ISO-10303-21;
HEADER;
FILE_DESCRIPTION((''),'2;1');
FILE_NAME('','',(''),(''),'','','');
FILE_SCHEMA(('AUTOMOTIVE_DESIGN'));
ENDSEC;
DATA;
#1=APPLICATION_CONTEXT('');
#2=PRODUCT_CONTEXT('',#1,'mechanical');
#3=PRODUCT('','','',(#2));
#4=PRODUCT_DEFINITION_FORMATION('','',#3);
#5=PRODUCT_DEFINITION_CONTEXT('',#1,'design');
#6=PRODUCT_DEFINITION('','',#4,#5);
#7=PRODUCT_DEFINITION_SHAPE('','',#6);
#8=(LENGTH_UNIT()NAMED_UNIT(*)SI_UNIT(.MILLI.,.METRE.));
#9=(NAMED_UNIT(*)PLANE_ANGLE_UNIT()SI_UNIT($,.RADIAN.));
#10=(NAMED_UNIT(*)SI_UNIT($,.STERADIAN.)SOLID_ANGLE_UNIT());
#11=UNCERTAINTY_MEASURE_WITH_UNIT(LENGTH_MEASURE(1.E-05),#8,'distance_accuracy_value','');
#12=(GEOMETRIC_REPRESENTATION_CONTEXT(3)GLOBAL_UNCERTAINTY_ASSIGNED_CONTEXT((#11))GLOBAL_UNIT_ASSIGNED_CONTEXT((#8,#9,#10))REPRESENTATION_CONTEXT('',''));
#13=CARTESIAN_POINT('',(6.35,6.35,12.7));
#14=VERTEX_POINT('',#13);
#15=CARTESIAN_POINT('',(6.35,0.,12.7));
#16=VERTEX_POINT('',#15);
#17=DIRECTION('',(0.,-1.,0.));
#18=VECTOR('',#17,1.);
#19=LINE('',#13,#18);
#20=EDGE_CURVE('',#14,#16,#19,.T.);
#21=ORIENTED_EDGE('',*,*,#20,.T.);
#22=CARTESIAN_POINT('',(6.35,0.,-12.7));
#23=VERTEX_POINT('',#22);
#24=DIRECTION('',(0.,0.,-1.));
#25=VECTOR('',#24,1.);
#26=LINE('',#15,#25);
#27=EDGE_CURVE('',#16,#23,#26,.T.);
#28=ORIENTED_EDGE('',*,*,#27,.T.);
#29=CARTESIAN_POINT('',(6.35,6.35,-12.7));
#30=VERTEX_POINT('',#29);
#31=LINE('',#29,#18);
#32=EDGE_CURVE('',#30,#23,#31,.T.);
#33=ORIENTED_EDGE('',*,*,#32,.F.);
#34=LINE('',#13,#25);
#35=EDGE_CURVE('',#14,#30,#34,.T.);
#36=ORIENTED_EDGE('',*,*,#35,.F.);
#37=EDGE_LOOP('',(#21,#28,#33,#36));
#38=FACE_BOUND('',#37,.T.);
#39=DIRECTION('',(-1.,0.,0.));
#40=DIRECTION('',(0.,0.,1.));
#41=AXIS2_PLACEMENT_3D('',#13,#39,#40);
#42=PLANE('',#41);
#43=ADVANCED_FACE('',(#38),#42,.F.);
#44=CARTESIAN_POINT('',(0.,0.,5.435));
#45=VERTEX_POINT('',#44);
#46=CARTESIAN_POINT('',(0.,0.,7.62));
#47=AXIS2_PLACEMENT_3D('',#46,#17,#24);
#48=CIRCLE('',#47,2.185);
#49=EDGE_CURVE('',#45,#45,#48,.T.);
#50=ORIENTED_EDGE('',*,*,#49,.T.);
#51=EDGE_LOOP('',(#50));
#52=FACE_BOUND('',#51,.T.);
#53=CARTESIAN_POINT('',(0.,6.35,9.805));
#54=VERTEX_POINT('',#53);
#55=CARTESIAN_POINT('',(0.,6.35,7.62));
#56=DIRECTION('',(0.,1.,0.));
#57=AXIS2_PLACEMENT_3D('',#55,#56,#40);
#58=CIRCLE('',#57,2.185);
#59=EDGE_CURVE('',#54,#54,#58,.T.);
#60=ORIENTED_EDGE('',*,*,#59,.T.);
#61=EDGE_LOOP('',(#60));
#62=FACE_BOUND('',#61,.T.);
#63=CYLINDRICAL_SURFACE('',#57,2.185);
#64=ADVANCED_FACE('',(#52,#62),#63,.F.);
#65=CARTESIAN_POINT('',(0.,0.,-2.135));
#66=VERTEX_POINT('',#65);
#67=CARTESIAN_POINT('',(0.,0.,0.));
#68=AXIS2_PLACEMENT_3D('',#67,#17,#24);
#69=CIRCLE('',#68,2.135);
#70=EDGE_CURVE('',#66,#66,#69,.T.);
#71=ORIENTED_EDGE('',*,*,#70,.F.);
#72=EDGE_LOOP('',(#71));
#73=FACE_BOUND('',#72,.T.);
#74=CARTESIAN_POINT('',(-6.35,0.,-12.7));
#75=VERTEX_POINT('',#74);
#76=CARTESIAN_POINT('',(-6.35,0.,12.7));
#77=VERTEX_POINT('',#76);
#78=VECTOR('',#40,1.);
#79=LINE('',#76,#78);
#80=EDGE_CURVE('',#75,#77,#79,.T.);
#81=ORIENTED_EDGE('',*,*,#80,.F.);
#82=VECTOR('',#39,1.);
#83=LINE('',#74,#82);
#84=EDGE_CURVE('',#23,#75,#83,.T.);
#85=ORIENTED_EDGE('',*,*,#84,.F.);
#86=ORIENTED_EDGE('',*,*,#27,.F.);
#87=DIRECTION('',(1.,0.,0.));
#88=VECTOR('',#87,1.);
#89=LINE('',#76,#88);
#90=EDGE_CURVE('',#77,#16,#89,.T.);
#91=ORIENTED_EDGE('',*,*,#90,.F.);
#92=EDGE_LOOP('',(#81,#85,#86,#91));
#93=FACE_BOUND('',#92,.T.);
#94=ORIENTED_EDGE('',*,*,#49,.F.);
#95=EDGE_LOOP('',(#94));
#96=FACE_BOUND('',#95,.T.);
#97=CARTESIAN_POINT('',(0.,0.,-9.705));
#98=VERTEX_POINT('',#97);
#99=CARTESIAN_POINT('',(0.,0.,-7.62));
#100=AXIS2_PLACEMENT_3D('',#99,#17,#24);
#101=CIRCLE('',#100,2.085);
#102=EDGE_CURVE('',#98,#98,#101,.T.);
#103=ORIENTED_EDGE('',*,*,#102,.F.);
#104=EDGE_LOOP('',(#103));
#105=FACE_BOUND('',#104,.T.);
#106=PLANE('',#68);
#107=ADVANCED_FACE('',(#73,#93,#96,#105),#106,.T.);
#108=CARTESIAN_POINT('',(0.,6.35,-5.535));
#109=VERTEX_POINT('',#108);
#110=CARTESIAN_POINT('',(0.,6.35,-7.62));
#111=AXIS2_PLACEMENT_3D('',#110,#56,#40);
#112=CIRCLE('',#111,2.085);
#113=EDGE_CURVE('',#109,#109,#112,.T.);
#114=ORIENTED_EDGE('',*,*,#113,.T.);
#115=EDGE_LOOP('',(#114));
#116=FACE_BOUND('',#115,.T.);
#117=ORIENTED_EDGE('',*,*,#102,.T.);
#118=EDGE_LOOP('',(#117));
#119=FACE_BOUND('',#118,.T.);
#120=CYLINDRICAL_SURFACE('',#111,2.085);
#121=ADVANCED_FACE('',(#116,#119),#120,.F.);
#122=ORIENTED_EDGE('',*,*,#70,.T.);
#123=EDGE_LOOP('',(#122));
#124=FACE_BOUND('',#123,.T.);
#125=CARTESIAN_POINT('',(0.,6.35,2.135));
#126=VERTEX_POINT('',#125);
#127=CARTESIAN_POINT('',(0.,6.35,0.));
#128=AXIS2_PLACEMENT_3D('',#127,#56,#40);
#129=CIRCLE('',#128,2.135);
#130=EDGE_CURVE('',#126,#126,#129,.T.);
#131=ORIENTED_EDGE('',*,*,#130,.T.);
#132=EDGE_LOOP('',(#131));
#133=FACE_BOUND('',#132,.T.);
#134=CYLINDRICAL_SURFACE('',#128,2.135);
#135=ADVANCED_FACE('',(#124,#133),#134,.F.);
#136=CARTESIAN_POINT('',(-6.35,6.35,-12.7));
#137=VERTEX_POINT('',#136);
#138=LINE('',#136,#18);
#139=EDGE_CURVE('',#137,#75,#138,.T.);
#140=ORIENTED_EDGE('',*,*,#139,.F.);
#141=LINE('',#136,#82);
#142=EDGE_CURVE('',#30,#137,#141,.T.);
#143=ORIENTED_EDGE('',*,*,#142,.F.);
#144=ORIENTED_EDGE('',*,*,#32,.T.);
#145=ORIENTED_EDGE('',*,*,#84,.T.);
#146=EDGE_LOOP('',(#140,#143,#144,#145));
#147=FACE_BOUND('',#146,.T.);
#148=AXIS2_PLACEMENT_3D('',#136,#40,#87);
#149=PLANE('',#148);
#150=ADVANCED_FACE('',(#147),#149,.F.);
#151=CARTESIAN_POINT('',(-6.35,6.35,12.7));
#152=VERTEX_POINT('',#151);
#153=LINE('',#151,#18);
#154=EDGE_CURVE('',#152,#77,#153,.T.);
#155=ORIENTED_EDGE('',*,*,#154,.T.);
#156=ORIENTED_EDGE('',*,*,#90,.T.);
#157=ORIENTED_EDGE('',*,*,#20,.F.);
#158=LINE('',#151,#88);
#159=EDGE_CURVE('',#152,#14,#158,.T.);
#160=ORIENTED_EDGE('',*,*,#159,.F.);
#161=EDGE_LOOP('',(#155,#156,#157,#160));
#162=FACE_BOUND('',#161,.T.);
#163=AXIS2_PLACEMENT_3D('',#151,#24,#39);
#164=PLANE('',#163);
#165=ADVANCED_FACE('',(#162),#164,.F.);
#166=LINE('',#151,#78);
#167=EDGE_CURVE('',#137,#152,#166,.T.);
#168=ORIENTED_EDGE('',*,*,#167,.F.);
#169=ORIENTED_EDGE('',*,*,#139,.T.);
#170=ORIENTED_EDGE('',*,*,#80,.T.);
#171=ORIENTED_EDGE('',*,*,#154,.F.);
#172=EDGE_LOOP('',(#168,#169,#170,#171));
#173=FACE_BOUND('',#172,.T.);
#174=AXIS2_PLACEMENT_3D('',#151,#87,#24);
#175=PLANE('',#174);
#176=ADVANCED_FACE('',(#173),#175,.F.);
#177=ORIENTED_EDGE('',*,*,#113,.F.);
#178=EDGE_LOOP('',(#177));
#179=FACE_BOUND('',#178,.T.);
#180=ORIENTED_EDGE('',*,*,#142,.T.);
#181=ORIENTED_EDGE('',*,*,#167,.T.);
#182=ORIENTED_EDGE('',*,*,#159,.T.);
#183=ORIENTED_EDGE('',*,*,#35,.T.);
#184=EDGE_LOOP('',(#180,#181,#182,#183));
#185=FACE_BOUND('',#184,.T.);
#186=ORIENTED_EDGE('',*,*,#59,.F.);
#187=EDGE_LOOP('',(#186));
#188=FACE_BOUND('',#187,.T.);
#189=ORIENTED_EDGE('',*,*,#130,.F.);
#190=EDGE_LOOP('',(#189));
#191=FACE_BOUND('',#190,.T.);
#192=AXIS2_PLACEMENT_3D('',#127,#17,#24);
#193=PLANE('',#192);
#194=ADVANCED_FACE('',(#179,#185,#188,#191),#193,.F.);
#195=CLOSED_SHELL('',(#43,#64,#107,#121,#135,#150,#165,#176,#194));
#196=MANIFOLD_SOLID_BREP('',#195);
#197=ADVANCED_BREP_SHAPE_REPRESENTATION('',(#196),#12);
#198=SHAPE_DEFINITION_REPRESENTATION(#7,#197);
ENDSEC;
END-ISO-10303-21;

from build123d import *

# Parameters (mm, degrees)
SKETCH1_W                   = 12.7
SKETCH1_H                   = 25.4
BOSS_EXTRUDE1_DEPTH         = 6.35
F_1_0_MM_DOWEL_HOLES1_D     = 4.17
F_1_0_MM_DOWEL_HOLES1_DEPTH = 7.874
F_1_0_MM_DOWEL_HOLES1_TIP   = 1.252794391
F_1_0_MM_DOWEL_HOLES2_D     = 4.27
F_1_0_MM_DOWEL_HOLES2_DEPTH = 7.874
F_1_0_MM_DOWEL_HOLES2_TIP   = 1.282837422
F_1_0_MM_DOWEL_HOLES3_D     = 4.37
F_1_0_MM_DOWEL_HOLES3_DEPTH = 7.874
F_1_0_MM_DOWEL_HOLES3_TIP   = 1.312880453


with BuildPart() as part:
    # Sketch1 → Boss-Extrude1 (new body)
    with BuildSketch(Plane(origin=(0, 0, 0), x_dir=(1, 0, 0), z_dir=(0, 1, 0))):
        Rectangle(SKETCH1_W, SKETCH1_H)
    extrude(amount=BOSS_EXTRUDE1_DEPTH)

    # Ø1.0 mm Dowel Holes1
    with Locations(Plane(origin=(0, 6.35, 0), x_dir=(1, 0, 0), z_dir=(0, 1, 0))):
        with Locations((0, 7.62)):
            Hole(F_1_0_MM_DOWEL_HOLES1_D / 2, depth=F_1_0_MM_DOWEL_HOLES1_DEPTH)
            with Locations((0, 0, -(F_1_0_MM_DOWEL_HOLES1_DEPTH + F_1_0_MM_DOWEL_HOLES1_TIP / 2))):  # 118° drill point
                Cone(0, F_1_0_MM_DOWEL_HOLES1_D / 2, F_1_0_MM_DOWEL_HOLES1_TIP, mode=Mode.SUBTRACT)

    # Ø1.0 mm Dowel Holes2
    with Locations(Plane(origin=(0, 6.35, 0), x_dir=(1, 0, 0), z_dir=(0, 1, 0))):
        with Locations((0, 0)):
            Hole(F_1_0_MM_DOWEL_HOLES2_D / 2, depth=F_1_0_MM_DOWEL_HOLES2_DEPTH)
            with Locations((0, 0, -(F_1_0_MM_DOWEL_HOLES2_DEPTH + F_1_0_MM_DOWEL_HOLES2_TIP / 2))):  # 118° drill point
                Cone(0, F_1_0_MM_DOWEL_HOLES2_D / 2, F_1_0_MM_DOWEL_HOLES2_TIP, mode=Mode.SUBTRACT)

    # Ø1.0 mm Dowel Holes3
    with Locations(Plane(origin=(0, 6.35, 0), x_dir=(1, 0, 0), z_dir=(0, 1, 0))):
        with Locations((0, -7.62)):
            Hole(F_1_0_MM_DOWEL_HOLES3_D / 2, depth=F_1_0_MM_DOWEL_HOLES3_DEPTH)
            with Locations((0, 0, -(F_1_0_MM_DOWEL_HOLES3_DEPTH + F_1_0_MM_DOWEL_HOLES3_TIP / 2))):  # 118° drill point
                Cone(0, F_1_0_MM_DOWEL_HOLES3_D / 2, F_1_0_MM_DOWEL_HOLES3_TIP, mode=Mode.SUBTRACT)


solid = part.part
